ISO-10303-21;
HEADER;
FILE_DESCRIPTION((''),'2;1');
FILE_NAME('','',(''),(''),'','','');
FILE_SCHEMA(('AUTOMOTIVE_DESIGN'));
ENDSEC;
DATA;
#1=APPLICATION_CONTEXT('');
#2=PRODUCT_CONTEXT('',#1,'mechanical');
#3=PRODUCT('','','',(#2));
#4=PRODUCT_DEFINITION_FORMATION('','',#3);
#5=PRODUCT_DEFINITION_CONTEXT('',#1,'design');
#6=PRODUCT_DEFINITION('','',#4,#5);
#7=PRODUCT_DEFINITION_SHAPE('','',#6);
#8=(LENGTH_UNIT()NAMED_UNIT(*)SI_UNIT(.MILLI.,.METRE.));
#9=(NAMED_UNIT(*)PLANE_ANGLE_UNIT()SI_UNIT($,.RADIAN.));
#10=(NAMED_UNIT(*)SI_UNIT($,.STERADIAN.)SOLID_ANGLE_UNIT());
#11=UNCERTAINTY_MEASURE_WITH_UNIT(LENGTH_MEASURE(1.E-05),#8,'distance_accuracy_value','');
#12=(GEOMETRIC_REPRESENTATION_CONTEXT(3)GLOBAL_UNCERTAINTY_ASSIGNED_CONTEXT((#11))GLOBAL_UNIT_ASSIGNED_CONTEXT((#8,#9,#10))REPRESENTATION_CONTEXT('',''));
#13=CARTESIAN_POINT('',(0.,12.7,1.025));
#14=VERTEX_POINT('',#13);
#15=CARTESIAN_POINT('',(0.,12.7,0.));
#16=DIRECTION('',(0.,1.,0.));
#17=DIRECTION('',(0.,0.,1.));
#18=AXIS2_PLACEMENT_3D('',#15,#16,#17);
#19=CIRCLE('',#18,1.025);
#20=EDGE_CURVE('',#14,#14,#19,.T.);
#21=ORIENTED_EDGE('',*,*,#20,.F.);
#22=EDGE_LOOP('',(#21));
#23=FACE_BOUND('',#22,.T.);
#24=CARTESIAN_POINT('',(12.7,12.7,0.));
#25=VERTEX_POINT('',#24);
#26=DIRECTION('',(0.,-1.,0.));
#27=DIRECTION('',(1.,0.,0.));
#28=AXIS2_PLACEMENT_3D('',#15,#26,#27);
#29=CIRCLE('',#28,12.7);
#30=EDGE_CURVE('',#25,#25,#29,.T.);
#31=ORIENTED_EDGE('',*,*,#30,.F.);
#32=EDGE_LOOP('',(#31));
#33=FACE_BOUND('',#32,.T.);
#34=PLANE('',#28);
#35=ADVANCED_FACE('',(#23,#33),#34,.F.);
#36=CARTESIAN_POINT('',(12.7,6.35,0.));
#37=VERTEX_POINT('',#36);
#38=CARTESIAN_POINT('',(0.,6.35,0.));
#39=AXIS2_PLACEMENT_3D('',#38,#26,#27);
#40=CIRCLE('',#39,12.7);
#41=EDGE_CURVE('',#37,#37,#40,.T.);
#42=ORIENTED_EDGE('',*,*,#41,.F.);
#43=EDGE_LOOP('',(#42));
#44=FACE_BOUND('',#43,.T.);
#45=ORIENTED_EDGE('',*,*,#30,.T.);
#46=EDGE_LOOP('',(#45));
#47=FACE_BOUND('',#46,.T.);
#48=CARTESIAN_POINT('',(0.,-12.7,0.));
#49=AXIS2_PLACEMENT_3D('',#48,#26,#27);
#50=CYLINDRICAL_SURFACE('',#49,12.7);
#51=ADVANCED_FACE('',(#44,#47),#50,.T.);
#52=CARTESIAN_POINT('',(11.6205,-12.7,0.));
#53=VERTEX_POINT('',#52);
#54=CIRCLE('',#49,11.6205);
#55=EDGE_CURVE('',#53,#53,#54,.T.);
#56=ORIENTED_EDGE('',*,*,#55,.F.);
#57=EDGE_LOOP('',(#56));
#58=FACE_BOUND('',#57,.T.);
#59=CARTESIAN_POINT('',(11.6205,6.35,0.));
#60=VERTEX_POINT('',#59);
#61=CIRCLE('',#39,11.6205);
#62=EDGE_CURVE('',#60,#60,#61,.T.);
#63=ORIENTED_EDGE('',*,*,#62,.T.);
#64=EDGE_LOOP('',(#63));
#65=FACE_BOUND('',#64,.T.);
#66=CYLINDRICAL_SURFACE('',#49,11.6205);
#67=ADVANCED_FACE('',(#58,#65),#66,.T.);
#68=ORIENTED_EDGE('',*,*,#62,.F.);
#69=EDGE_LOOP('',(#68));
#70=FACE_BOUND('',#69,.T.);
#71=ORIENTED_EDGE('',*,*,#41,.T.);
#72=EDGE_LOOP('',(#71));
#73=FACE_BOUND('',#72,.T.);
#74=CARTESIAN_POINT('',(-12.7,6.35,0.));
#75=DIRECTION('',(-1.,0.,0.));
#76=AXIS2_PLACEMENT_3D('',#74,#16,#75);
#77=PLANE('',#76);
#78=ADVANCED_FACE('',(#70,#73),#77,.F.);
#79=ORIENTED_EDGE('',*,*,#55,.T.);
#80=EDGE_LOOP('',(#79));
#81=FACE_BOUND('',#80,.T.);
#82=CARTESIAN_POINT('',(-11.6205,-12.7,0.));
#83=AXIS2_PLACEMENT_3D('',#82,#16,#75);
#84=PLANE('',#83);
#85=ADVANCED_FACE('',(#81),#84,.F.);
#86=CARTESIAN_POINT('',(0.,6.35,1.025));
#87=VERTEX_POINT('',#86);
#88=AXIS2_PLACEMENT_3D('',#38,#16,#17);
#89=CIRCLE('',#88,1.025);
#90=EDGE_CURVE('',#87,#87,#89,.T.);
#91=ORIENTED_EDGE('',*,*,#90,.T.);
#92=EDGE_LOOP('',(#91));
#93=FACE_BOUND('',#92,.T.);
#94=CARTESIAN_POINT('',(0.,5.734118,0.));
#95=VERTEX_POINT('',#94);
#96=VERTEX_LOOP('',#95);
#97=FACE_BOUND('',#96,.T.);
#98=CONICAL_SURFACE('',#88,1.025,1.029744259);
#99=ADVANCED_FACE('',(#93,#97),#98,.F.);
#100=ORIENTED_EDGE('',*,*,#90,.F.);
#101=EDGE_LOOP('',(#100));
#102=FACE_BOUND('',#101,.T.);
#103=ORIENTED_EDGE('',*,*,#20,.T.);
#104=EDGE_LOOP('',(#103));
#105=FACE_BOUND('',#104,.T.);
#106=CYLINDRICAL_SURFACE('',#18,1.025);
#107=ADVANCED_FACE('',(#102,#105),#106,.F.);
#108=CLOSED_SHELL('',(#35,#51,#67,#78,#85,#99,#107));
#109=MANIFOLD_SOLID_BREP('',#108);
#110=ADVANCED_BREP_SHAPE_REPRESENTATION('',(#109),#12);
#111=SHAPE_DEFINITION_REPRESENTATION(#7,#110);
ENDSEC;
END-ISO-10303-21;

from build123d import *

# Parameters (mm, degrees)
M2_5X0_45_TAPPED_HOLE1_D     = 2.05
M2_5X0_45_TAPPED_HOLE1_DEPTH = 6.35
M2_5X0_45_TAPPED_HOLE1_TIP   = 0.615882135


with BuildPart() as part:
    # Sketch1 → Revolve1 (revolve)
    with BuildSketch(Plane.XY, mode=Mode.PRIVATE) as revolve1_sk:
        Polygon((0, 12.7), (-12.7, 12.7), (-12.7, 6.35), (-11.6205, 6.35), (-11.6205, -12.7), (0, -12.7), align=None)
    revolve(revolve1_sk.sketch.rotate(Axis((0, -12.7, 0), (0, 1, 0)), 180), axis=Axis((0, -12.7, 0), (0, 1, 0)))

    # M2.5x0.45 Tapped Hole1
    with Locations(Plane(origin=(0, 12.7, 0), x_dir=(1, 0, 0), z_dir=(0, 1, 0))):
        with Locations((0, 0)):
            Hole(M2_5X0_45_TAPPED_HOLE1_D / 2, depth=M2_5X0_45_TAPPED_HOLE1_DEPTH)
            with Locations((0, 0, -(M2_5X0_45_TAPPED_HOLE1_DEPTH + M2_5X0_45_TAPPED_HOLE1_TIP / 2))):  # 118° drill point
                Cone(0, M2_5X0_45_TAPPED_HOLE1_D / 2, M2_5X0_45_TAPPED_HOLE1_TIP, mode=Mode.SUBTRACT)


solid = part.part
